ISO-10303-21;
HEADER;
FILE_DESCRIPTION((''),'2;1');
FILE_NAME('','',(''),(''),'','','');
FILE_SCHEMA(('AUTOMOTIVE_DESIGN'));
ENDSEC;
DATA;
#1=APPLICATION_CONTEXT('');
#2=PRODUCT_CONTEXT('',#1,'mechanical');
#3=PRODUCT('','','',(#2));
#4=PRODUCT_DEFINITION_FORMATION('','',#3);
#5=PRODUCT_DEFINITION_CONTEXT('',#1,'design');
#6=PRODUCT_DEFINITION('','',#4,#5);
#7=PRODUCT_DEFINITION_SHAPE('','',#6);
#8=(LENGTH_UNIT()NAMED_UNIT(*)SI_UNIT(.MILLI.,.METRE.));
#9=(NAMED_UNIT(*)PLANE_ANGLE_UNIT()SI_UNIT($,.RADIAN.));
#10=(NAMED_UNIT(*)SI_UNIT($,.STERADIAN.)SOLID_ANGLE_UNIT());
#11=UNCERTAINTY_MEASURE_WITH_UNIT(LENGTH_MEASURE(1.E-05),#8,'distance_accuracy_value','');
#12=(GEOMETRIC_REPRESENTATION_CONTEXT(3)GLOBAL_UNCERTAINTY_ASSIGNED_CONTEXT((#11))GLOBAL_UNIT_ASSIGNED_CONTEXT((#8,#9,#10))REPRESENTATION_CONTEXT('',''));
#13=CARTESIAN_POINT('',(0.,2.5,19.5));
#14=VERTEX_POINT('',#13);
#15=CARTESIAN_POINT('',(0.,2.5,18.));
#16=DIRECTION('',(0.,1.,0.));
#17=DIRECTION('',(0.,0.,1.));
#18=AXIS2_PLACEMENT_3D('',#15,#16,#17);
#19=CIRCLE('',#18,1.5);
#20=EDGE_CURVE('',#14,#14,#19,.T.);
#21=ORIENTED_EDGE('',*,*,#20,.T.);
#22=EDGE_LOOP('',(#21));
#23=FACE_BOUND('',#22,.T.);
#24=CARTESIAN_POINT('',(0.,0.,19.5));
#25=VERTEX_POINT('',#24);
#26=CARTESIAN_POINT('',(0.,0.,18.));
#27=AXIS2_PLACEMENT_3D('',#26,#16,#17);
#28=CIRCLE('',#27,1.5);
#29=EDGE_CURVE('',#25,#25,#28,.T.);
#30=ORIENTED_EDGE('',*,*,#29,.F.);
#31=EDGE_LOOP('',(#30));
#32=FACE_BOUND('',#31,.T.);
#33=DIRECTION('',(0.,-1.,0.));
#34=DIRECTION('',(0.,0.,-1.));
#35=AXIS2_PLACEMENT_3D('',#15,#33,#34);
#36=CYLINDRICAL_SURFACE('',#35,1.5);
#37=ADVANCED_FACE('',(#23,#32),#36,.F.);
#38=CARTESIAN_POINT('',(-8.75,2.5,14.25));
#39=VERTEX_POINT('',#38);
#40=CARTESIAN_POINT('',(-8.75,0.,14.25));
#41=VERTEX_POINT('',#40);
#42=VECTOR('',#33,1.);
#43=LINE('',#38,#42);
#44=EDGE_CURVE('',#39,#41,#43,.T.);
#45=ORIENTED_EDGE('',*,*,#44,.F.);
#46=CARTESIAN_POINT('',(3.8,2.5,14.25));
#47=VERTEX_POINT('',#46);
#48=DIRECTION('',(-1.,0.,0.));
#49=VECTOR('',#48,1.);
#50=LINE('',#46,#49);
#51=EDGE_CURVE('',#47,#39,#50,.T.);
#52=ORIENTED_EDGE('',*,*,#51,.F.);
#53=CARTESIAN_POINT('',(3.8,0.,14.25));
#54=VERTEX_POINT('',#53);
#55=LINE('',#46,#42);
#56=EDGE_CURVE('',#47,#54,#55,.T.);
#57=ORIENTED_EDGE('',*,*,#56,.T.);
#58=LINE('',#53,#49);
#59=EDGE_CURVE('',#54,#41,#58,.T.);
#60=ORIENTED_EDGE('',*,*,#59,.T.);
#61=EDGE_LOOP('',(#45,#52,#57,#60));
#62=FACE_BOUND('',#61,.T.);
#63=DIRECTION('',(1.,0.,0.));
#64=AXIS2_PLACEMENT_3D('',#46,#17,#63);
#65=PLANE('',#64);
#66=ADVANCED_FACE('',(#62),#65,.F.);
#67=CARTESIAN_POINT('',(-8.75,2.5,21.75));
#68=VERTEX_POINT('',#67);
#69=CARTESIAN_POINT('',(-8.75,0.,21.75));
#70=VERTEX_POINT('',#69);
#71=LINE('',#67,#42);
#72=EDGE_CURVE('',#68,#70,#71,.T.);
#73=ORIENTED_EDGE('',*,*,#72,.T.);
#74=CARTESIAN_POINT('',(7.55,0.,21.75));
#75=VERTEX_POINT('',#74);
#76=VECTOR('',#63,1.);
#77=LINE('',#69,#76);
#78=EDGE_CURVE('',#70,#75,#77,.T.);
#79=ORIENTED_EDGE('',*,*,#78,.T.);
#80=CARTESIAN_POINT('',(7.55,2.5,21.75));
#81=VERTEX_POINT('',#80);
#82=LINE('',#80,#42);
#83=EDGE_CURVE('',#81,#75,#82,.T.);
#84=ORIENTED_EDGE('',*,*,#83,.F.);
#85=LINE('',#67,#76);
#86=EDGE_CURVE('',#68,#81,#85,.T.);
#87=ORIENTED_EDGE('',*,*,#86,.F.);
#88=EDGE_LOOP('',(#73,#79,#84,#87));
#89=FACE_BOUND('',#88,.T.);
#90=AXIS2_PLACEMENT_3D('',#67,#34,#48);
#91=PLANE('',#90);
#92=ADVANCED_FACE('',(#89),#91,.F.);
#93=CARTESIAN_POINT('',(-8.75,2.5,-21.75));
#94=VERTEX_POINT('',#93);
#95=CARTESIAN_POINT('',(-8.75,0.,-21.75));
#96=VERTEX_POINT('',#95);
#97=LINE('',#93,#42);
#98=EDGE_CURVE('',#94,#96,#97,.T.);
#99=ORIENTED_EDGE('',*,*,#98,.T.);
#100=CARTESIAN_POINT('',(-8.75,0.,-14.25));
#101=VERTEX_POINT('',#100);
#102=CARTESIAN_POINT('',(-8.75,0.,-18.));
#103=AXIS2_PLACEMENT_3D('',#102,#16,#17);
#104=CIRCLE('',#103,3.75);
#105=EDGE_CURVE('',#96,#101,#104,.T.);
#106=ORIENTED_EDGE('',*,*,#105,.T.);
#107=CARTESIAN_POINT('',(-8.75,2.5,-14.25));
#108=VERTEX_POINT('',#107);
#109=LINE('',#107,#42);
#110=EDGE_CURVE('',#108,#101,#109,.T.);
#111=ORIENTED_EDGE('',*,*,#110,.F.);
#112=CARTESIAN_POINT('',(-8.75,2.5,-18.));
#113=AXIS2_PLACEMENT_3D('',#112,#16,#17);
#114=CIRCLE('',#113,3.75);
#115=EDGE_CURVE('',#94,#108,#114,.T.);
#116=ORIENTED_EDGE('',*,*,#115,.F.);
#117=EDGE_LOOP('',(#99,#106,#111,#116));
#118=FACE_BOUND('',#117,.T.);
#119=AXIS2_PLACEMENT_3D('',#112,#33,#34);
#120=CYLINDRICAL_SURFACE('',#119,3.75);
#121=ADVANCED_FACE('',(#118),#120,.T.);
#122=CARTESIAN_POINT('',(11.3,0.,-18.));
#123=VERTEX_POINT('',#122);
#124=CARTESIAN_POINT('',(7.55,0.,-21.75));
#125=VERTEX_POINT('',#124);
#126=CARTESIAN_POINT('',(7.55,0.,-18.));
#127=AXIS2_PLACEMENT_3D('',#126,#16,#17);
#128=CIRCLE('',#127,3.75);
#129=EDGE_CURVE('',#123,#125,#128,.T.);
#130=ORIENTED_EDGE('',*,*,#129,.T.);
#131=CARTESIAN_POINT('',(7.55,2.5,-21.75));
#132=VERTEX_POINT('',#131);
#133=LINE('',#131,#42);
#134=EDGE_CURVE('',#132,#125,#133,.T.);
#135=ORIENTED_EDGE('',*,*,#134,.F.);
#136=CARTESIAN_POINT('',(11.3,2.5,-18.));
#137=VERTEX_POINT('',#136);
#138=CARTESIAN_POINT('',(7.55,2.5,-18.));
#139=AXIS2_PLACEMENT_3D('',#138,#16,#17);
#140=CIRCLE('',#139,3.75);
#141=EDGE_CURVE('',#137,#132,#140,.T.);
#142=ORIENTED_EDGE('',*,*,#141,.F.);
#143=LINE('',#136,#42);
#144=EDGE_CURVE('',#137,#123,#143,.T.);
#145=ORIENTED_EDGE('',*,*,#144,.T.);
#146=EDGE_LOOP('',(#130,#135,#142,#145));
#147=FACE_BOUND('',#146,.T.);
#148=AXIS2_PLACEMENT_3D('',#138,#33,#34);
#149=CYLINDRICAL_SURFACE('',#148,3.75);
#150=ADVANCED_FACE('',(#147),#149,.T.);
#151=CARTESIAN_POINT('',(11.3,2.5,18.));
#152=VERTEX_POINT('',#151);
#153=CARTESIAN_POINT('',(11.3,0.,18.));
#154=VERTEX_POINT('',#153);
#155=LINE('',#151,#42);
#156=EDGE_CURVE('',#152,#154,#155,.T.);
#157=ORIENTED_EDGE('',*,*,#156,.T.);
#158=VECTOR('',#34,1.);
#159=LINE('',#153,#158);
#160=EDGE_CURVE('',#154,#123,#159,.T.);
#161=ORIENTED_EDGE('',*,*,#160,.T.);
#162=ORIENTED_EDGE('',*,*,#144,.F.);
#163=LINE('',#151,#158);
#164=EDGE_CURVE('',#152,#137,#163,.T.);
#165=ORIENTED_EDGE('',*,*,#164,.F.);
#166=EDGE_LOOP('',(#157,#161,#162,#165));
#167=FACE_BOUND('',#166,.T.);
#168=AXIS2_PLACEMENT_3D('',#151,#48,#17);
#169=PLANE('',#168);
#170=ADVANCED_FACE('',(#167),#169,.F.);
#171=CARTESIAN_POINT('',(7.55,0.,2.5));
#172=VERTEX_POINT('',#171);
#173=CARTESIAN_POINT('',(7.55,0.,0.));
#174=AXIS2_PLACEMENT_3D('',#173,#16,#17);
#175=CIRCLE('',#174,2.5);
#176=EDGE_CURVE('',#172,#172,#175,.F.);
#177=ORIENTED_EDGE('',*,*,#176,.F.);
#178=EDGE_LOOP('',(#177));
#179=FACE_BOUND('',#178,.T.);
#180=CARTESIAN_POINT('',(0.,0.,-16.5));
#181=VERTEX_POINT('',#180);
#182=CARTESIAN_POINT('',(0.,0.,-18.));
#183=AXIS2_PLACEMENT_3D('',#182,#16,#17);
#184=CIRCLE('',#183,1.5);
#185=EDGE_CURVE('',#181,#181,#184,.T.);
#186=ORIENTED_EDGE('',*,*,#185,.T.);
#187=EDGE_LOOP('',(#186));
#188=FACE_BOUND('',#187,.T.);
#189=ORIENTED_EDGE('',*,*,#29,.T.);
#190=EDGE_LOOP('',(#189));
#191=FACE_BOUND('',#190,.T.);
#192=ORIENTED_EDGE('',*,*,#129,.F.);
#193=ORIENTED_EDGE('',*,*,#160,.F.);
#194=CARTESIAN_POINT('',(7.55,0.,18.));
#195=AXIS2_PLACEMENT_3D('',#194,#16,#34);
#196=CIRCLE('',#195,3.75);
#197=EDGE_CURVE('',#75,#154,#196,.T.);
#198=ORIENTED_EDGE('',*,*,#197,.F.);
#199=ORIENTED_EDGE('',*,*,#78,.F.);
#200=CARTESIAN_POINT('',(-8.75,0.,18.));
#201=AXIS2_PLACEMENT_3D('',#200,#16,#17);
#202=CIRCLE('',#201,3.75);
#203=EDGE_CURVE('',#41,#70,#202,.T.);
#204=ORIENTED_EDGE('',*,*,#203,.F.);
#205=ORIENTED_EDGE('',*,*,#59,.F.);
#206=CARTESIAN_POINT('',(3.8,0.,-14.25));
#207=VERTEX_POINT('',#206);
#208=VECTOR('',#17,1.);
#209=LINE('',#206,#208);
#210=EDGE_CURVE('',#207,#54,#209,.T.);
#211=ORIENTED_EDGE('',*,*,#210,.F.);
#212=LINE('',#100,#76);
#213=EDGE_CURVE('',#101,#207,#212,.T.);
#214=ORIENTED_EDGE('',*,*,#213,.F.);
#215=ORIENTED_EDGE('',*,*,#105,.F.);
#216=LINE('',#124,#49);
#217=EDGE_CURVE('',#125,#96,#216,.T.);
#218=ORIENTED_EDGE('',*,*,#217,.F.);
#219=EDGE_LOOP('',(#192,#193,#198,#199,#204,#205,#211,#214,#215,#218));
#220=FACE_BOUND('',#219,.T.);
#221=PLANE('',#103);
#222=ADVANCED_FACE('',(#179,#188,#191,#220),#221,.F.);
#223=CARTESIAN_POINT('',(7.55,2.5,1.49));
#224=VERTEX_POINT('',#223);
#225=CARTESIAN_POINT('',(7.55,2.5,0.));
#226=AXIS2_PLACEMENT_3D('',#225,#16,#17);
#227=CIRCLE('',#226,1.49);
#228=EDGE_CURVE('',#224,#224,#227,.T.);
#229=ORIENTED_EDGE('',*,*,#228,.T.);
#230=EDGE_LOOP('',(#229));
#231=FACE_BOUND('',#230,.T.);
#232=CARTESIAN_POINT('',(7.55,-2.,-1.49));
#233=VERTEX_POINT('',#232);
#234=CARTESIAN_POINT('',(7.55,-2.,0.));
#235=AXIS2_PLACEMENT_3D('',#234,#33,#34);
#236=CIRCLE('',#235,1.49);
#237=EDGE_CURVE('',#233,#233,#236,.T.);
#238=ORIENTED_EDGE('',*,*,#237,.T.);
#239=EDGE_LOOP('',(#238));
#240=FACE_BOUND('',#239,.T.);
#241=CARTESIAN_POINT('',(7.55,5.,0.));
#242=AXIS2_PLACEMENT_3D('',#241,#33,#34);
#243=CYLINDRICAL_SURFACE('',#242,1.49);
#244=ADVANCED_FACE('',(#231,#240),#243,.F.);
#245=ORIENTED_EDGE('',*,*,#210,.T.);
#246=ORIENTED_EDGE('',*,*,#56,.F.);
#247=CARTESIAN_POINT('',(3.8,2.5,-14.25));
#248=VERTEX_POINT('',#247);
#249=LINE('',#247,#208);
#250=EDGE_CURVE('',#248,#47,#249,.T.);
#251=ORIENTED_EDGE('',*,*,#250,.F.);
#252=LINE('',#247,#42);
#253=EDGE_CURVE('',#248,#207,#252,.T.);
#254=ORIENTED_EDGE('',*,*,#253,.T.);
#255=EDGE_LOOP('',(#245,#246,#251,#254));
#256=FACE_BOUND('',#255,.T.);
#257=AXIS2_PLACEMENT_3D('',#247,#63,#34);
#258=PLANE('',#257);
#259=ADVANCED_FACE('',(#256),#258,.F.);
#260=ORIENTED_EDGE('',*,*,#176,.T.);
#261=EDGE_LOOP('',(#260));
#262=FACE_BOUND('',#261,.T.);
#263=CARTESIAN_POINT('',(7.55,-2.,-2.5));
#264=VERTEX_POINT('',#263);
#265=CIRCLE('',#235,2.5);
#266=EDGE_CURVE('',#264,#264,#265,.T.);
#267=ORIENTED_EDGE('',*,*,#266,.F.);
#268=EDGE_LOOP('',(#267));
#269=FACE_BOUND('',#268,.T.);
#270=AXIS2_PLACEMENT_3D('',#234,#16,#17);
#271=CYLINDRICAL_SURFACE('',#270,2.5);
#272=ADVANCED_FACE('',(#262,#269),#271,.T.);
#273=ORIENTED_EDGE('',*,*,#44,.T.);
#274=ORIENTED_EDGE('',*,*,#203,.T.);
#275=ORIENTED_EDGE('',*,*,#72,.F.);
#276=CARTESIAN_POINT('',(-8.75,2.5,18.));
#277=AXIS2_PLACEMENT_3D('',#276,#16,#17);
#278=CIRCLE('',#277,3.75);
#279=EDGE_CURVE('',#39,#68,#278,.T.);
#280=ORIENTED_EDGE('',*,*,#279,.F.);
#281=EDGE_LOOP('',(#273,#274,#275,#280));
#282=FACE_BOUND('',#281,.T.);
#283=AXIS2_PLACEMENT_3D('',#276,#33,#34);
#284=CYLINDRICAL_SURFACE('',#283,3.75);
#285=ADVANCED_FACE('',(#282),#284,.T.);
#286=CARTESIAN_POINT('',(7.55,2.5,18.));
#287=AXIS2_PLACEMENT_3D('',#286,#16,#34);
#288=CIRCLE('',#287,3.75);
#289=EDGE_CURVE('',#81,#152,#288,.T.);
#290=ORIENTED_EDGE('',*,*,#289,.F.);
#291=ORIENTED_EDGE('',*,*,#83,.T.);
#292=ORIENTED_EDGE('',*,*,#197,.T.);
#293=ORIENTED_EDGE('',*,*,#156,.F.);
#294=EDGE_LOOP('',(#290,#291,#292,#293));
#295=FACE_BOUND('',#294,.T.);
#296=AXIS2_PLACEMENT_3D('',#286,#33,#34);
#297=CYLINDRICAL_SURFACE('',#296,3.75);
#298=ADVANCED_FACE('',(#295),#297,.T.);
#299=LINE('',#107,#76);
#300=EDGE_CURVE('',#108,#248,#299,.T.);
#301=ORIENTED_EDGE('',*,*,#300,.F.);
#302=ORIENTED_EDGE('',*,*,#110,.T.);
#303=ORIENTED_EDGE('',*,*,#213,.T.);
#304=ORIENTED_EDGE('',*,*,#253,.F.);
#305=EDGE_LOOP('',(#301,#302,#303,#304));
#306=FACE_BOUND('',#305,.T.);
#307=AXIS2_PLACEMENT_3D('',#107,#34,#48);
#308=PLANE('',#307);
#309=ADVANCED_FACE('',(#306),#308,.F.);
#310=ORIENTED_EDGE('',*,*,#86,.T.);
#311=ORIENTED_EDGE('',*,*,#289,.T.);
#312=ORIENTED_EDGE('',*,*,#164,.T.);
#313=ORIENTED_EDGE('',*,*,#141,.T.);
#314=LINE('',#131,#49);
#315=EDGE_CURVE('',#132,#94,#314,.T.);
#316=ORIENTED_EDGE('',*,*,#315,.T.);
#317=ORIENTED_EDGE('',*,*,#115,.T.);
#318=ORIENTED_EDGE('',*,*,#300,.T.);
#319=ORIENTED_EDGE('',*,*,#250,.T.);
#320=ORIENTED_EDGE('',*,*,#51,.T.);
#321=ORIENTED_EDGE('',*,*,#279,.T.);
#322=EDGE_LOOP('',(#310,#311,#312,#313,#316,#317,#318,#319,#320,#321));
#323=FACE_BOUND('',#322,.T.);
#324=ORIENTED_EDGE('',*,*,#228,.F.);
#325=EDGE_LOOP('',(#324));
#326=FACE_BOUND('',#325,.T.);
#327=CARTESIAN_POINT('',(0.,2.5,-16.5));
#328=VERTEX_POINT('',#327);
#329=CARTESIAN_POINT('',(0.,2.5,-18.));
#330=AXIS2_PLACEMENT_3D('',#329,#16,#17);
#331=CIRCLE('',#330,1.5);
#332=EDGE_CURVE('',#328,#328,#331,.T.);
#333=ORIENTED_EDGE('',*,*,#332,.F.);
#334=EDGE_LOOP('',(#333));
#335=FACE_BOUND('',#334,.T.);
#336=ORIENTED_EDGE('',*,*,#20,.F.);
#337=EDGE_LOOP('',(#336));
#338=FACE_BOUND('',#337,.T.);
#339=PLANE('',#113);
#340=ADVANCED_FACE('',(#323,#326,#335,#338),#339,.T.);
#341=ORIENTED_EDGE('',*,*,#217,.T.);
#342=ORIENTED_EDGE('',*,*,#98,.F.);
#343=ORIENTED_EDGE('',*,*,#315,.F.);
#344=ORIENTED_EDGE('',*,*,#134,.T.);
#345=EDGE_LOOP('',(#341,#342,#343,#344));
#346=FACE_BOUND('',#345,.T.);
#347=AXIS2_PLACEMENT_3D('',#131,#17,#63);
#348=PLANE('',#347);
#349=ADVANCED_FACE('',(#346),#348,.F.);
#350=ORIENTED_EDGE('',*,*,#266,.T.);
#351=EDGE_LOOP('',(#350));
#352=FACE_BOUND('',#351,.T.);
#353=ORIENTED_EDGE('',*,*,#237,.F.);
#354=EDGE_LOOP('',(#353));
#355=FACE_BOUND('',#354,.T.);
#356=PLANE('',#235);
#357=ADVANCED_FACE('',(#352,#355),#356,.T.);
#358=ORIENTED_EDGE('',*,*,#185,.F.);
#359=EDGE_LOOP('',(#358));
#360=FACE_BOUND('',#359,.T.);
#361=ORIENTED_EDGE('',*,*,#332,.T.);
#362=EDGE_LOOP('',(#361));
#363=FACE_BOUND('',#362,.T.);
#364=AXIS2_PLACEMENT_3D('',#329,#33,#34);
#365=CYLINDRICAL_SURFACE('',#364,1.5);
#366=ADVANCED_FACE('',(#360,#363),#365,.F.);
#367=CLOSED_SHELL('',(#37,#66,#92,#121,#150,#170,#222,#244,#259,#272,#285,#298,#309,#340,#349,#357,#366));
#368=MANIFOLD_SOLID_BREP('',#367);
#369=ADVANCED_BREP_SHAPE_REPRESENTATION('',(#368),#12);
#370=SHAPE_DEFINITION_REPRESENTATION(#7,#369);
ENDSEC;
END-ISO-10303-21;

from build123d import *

# Parameters (mm, degrees)
SKETCH1_R           = 1.5
BOSS_EXTRUDE1_DEPTH = 2.5
SKETCH2_R           = 2.5
BOSS_EXTRUDE2_DEPTH = 2
SKETCH3_R           = 1.49
CUT_EXTRUDE1_DEPTH  = 7


with BuildPart() as part:
    # Sketch1 → Boss-Extrude1 (new body)
    with BuildSketch(Plane(origin=(0, 0, 0), x_dir=(1, 0, 0), z_dir=(0, 1, 0))):
        with BuildLine():
            Line((-8.75, 14.25), (3.8, 14.25))
            Line((3.8, 14.25), (3.8, -14.25))
            Line((3.8, -14.25), (-8.75, -14.25))
            ThreePointArc((-8.75, -14.25), (-12.5, -18), (-8.75, -21.75))
            Line((-8.75, -21.75), (7.55, -21.75))
            ThreePointArc((7.55, -21.75), (10.201650429, -20.651650429), (11.3, -18))
            Line((11.3, -18), (11.3, 18))
            ThreePointArc((11.3, 18), (10.201650429, 20.651650429), (7.55, 21.75))
            Line((7.55, 21.75), (-8.75, 21.75))
            ThreePointArc((-8.75, 21.75), (-12.5, 18), (-8.75, 14.25))
        make_face()
        with Locations(Location((0, 18, 0), (0, 0, 270))):
            Circle(SKETCH1_R, mode=Mode.SUBTRACT)
        with Locations(Location((0, -18, 0), (0, 0, 270))):
            Circle(SKETCH1_R, mode=Mode.SUBTRACT)
    extrude(amount=BOSS_EXTRUDE1_DEPTH)

    # Sketch2 → Boss-Extrude2 (add)
    with BuildSketch(Plane.XZ):
        with Locations(Location((7.55, 0, 0), (0, 0, 90))):
            Circle(SKETCH2_R)
    extrude(amount=BOSS_EXTRUDE2_DEPTH)

    # Sketch3 → Cut-Extrude1 (cut)
    with BuildSketch(Plane.XZ.offset(2)):
        with Locations(Location((7.55, 0, 0), (0, 0, 270))):
            Circle(SKETCH3_R)
    extrude(amount=-CUT_EXTRUDE1_DEPTH, mode=Mode.SUBTRACT)


solid = part.part
